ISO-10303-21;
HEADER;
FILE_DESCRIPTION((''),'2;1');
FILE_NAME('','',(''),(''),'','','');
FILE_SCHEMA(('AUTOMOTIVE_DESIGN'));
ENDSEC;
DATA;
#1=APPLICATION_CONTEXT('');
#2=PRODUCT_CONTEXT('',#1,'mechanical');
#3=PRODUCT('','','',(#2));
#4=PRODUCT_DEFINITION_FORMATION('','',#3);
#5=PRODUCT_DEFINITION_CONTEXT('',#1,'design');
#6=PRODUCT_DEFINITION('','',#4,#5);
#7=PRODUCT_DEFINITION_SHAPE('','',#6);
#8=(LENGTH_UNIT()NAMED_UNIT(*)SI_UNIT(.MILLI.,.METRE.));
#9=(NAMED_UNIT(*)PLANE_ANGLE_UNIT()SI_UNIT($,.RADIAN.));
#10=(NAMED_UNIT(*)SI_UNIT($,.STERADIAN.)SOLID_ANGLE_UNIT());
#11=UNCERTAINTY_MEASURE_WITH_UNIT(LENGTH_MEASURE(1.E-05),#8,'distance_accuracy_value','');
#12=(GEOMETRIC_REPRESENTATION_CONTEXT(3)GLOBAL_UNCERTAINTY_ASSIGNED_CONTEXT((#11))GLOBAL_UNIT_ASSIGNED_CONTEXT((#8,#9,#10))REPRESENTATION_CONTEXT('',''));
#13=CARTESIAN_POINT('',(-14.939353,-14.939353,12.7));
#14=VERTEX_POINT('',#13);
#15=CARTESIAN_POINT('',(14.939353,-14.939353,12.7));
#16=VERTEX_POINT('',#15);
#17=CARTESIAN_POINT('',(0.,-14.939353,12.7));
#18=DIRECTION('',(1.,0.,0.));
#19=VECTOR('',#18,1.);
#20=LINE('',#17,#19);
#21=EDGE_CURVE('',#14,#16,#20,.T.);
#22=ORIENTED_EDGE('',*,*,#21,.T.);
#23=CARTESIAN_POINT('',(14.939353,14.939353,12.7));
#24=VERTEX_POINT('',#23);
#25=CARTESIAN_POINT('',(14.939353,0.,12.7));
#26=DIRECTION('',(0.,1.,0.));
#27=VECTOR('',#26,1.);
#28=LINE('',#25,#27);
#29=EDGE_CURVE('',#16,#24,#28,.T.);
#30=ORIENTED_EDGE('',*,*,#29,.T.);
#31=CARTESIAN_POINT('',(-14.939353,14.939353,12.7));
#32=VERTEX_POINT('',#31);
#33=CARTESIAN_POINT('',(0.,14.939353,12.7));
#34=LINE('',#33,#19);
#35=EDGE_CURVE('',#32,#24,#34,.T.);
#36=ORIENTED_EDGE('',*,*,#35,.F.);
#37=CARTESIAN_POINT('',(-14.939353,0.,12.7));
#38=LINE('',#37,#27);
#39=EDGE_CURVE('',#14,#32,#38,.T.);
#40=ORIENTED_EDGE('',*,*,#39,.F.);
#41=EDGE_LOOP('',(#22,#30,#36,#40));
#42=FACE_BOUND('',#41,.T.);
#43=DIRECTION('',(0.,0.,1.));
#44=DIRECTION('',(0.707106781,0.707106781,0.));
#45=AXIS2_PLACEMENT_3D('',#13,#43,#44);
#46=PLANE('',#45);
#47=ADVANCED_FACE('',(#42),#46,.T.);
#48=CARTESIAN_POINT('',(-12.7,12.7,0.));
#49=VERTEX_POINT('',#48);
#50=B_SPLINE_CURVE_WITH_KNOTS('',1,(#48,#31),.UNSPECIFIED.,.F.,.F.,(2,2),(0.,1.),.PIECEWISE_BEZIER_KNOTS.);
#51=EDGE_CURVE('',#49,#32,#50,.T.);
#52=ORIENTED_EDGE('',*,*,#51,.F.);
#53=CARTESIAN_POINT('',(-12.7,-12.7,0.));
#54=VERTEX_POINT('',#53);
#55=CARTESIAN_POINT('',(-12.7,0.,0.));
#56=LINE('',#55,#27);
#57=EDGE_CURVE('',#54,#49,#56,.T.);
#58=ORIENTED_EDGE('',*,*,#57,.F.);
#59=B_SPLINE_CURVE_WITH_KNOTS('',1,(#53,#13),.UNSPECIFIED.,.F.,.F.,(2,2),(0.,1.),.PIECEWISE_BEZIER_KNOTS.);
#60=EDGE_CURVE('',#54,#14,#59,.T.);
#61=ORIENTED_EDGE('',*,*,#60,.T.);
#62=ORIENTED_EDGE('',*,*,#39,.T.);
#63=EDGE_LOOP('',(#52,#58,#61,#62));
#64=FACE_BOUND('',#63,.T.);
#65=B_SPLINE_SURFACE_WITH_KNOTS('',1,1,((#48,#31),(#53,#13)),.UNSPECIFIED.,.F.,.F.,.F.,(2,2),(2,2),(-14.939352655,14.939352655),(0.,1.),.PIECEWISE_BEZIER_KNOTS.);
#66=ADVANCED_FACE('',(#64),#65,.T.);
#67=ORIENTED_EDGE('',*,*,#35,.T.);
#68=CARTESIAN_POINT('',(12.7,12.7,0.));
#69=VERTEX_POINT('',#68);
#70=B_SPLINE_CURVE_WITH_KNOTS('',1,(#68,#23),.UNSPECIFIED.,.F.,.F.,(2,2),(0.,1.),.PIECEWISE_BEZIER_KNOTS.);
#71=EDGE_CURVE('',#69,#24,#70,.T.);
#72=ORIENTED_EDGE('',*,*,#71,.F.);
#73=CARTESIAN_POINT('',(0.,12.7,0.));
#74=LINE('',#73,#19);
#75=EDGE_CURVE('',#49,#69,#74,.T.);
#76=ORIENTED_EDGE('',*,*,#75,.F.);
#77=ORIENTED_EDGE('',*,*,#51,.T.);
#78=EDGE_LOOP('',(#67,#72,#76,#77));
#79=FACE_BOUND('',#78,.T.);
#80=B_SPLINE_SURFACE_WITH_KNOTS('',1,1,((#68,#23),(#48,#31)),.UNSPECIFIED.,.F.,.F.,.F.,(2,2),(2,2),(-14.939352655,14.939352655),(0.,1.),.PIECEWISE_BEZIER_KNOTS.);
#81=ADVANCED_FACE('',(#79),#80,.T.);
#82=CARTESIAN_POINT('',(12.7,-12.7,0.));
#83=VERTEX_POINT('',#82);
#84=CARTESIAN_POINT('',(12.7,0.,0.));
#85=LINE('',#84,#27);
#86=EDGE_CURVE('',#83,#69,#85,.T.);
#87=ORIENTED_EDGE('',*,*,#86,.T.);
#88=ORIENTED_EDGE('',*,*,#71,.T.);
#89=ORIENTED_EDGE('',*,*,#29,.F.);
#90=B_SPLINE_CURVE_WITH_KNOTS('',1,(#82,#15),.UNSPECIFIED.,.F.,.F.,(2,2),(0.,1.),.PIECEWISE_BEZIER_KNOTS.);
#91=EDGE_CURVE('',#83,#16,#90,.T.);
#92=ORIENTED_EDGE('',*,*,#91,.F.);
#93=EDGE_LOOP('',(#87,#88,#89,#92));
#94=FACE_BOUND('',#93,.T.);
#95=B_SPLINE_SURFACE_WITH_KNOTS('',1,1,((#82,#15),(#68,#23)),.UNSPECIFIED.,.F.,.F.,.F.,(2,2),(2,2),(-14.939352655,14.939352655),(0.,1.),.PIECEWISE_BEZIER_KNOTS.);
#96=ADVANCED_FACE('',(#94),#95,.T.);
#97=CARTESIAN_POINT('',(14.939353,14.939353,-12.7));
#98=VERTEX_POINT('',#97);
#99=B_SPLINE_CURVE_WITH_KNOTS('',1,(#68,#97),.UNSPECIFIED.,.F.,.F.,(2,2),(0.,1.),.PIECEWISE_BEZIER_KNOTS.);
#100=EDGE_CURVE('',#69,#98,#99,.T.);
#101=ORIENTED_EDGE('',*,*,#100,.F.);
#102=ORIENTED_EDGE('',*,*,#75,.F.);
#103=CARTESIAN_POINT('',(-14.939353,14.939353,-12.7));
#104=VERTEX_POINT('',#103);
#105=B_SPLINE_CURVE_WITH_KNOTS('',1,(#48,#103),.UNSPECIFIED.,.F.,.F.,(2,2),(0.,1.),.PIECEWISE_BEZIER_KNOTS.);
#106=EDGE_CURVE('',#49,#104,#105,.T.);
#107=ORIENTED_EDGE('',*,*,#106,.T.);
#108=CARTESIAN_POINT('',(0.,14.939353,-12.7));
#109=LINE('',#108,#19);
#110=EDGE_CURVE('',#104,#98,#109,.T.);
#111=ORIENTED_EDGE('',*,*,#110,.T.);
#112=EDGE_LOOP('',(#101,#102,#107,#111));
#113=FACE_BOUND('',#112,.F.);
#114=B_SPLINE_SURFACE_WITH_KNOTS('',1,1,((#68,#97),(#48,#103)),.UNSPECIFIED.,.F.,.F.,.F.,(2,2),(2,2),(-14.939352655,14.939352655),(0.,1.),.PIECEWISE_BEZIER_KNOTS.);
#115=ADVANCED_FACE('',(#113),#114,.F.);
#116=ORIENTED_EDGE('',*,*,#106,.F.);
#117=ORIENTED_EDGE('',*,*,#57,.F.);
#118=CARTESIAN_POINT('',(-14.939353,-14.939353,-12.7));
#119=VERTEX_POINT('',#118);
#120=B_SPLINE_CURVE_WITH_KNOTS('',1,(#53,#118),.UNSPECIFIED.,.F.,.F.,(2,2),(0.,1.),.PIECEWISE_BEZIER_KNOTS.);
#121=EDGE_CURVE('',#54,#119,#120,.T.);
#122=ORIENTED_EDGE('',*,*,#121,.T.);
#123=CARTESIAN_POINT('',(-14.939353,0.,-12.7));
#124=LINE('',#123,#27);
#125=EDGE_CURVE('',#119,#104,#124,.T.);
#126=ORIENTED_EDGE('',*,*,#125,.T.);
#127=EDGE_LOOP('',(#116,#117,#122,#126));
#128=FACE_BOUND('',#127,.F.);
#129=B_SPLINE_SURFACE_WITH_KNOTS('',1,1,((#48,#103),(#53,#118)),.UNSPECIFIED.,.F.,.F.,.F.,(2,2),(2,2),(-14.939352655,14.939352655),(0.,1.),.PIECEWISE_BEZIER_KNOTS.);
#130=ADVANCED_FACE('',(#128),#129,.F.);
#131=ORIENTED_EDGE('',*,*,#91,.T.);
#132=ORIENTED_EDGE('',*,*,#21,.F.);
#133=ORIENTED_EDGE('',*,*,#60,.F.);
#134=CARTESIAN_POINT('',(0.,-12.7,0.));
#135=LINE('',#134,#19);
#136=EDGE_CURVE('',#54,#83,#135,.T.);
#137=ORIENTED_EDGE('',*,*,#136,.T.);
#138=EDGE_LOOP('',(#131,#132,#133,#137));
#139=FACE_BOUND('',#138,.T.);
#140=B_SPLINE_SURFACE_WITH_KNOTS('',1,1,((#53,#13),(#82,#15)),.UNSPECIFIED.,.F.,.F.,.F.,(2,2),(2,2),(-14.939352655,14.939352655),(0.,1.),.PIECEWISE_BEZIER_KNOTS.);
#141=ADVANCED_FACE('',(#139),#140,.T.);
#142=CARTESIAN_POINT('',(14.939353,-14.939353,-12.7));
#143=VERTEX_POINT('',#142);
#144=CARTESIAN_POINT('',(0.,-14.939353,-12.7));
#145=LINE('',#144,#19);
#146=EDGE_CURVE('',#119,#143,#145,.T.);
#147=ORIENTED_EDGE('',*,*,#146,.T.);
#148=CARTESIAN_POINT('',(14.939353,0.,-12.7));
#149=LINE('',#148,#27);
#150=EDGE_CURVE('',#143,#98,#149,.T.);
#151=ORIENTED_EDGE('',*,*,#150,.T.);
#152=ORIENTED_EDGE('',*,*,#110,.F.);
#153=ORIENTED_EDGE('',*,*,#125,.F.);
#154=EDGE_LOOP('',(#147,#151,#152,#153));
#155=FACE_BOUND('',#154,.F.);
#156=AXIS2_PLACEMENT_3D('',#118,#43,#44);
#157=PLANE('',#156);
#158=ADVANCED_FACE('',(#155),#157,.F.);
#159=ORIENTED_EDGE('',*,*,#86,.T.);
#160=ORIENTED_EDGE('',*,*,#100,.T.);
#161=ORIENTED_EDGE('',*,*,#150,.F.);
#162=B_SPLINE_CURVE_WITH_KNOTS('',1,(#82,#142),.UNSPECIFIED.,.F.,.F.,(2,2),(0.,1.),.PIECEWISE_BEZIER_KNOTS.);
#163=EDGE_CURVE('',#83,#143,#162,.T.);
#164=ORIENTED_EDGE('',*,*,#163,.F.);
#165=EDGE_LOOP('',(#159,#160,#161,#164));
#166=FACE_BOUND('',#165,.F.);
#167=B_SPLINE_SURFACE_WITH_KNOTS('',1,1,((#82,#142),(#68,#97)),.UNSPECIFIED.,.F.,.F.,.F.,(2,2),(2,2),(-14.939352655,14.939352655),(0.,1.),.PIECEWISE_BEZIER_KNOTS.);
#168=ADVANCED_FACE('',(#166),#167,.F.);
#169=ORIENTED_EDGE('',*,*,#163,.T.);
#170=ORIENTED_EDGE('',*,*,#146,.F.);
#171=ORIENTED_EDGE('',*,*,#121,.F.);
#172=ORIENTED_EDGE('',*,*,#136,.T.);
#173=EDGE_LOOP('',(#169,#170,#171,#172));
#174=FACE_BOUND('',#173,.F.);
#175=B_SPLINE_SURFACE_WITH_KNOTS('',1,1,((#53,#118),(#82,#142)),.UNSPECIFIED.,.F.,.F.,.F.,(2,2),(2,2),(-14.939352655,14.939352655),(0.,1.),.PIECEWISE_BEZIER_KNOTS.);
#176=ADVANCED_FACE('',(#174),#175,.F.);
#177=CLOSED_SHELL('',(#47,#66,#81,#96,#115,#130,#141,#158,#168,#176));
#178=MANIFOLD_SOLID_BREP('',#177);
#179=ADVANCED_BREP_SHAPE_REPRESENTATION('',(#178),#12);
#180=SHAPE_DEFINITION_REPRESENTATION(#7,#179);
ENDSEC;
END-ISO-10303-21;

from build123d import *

# Parameters (mm, degrees)
F0_W     = 25.4
F0_H     = 25.4
F1_DEPTH = 12.7
F1_TAPER = -10


with BuildPart() as f1:
    # F0 (on Top) → F1 (new body, symmetric)
    with BuildSketch(Plane.XY):
        Rectangle(F0_W, F0_H)
    extrude(amount=F1_DEPTH, both=True, taper=F1_TAPER)


solid = f1.part
